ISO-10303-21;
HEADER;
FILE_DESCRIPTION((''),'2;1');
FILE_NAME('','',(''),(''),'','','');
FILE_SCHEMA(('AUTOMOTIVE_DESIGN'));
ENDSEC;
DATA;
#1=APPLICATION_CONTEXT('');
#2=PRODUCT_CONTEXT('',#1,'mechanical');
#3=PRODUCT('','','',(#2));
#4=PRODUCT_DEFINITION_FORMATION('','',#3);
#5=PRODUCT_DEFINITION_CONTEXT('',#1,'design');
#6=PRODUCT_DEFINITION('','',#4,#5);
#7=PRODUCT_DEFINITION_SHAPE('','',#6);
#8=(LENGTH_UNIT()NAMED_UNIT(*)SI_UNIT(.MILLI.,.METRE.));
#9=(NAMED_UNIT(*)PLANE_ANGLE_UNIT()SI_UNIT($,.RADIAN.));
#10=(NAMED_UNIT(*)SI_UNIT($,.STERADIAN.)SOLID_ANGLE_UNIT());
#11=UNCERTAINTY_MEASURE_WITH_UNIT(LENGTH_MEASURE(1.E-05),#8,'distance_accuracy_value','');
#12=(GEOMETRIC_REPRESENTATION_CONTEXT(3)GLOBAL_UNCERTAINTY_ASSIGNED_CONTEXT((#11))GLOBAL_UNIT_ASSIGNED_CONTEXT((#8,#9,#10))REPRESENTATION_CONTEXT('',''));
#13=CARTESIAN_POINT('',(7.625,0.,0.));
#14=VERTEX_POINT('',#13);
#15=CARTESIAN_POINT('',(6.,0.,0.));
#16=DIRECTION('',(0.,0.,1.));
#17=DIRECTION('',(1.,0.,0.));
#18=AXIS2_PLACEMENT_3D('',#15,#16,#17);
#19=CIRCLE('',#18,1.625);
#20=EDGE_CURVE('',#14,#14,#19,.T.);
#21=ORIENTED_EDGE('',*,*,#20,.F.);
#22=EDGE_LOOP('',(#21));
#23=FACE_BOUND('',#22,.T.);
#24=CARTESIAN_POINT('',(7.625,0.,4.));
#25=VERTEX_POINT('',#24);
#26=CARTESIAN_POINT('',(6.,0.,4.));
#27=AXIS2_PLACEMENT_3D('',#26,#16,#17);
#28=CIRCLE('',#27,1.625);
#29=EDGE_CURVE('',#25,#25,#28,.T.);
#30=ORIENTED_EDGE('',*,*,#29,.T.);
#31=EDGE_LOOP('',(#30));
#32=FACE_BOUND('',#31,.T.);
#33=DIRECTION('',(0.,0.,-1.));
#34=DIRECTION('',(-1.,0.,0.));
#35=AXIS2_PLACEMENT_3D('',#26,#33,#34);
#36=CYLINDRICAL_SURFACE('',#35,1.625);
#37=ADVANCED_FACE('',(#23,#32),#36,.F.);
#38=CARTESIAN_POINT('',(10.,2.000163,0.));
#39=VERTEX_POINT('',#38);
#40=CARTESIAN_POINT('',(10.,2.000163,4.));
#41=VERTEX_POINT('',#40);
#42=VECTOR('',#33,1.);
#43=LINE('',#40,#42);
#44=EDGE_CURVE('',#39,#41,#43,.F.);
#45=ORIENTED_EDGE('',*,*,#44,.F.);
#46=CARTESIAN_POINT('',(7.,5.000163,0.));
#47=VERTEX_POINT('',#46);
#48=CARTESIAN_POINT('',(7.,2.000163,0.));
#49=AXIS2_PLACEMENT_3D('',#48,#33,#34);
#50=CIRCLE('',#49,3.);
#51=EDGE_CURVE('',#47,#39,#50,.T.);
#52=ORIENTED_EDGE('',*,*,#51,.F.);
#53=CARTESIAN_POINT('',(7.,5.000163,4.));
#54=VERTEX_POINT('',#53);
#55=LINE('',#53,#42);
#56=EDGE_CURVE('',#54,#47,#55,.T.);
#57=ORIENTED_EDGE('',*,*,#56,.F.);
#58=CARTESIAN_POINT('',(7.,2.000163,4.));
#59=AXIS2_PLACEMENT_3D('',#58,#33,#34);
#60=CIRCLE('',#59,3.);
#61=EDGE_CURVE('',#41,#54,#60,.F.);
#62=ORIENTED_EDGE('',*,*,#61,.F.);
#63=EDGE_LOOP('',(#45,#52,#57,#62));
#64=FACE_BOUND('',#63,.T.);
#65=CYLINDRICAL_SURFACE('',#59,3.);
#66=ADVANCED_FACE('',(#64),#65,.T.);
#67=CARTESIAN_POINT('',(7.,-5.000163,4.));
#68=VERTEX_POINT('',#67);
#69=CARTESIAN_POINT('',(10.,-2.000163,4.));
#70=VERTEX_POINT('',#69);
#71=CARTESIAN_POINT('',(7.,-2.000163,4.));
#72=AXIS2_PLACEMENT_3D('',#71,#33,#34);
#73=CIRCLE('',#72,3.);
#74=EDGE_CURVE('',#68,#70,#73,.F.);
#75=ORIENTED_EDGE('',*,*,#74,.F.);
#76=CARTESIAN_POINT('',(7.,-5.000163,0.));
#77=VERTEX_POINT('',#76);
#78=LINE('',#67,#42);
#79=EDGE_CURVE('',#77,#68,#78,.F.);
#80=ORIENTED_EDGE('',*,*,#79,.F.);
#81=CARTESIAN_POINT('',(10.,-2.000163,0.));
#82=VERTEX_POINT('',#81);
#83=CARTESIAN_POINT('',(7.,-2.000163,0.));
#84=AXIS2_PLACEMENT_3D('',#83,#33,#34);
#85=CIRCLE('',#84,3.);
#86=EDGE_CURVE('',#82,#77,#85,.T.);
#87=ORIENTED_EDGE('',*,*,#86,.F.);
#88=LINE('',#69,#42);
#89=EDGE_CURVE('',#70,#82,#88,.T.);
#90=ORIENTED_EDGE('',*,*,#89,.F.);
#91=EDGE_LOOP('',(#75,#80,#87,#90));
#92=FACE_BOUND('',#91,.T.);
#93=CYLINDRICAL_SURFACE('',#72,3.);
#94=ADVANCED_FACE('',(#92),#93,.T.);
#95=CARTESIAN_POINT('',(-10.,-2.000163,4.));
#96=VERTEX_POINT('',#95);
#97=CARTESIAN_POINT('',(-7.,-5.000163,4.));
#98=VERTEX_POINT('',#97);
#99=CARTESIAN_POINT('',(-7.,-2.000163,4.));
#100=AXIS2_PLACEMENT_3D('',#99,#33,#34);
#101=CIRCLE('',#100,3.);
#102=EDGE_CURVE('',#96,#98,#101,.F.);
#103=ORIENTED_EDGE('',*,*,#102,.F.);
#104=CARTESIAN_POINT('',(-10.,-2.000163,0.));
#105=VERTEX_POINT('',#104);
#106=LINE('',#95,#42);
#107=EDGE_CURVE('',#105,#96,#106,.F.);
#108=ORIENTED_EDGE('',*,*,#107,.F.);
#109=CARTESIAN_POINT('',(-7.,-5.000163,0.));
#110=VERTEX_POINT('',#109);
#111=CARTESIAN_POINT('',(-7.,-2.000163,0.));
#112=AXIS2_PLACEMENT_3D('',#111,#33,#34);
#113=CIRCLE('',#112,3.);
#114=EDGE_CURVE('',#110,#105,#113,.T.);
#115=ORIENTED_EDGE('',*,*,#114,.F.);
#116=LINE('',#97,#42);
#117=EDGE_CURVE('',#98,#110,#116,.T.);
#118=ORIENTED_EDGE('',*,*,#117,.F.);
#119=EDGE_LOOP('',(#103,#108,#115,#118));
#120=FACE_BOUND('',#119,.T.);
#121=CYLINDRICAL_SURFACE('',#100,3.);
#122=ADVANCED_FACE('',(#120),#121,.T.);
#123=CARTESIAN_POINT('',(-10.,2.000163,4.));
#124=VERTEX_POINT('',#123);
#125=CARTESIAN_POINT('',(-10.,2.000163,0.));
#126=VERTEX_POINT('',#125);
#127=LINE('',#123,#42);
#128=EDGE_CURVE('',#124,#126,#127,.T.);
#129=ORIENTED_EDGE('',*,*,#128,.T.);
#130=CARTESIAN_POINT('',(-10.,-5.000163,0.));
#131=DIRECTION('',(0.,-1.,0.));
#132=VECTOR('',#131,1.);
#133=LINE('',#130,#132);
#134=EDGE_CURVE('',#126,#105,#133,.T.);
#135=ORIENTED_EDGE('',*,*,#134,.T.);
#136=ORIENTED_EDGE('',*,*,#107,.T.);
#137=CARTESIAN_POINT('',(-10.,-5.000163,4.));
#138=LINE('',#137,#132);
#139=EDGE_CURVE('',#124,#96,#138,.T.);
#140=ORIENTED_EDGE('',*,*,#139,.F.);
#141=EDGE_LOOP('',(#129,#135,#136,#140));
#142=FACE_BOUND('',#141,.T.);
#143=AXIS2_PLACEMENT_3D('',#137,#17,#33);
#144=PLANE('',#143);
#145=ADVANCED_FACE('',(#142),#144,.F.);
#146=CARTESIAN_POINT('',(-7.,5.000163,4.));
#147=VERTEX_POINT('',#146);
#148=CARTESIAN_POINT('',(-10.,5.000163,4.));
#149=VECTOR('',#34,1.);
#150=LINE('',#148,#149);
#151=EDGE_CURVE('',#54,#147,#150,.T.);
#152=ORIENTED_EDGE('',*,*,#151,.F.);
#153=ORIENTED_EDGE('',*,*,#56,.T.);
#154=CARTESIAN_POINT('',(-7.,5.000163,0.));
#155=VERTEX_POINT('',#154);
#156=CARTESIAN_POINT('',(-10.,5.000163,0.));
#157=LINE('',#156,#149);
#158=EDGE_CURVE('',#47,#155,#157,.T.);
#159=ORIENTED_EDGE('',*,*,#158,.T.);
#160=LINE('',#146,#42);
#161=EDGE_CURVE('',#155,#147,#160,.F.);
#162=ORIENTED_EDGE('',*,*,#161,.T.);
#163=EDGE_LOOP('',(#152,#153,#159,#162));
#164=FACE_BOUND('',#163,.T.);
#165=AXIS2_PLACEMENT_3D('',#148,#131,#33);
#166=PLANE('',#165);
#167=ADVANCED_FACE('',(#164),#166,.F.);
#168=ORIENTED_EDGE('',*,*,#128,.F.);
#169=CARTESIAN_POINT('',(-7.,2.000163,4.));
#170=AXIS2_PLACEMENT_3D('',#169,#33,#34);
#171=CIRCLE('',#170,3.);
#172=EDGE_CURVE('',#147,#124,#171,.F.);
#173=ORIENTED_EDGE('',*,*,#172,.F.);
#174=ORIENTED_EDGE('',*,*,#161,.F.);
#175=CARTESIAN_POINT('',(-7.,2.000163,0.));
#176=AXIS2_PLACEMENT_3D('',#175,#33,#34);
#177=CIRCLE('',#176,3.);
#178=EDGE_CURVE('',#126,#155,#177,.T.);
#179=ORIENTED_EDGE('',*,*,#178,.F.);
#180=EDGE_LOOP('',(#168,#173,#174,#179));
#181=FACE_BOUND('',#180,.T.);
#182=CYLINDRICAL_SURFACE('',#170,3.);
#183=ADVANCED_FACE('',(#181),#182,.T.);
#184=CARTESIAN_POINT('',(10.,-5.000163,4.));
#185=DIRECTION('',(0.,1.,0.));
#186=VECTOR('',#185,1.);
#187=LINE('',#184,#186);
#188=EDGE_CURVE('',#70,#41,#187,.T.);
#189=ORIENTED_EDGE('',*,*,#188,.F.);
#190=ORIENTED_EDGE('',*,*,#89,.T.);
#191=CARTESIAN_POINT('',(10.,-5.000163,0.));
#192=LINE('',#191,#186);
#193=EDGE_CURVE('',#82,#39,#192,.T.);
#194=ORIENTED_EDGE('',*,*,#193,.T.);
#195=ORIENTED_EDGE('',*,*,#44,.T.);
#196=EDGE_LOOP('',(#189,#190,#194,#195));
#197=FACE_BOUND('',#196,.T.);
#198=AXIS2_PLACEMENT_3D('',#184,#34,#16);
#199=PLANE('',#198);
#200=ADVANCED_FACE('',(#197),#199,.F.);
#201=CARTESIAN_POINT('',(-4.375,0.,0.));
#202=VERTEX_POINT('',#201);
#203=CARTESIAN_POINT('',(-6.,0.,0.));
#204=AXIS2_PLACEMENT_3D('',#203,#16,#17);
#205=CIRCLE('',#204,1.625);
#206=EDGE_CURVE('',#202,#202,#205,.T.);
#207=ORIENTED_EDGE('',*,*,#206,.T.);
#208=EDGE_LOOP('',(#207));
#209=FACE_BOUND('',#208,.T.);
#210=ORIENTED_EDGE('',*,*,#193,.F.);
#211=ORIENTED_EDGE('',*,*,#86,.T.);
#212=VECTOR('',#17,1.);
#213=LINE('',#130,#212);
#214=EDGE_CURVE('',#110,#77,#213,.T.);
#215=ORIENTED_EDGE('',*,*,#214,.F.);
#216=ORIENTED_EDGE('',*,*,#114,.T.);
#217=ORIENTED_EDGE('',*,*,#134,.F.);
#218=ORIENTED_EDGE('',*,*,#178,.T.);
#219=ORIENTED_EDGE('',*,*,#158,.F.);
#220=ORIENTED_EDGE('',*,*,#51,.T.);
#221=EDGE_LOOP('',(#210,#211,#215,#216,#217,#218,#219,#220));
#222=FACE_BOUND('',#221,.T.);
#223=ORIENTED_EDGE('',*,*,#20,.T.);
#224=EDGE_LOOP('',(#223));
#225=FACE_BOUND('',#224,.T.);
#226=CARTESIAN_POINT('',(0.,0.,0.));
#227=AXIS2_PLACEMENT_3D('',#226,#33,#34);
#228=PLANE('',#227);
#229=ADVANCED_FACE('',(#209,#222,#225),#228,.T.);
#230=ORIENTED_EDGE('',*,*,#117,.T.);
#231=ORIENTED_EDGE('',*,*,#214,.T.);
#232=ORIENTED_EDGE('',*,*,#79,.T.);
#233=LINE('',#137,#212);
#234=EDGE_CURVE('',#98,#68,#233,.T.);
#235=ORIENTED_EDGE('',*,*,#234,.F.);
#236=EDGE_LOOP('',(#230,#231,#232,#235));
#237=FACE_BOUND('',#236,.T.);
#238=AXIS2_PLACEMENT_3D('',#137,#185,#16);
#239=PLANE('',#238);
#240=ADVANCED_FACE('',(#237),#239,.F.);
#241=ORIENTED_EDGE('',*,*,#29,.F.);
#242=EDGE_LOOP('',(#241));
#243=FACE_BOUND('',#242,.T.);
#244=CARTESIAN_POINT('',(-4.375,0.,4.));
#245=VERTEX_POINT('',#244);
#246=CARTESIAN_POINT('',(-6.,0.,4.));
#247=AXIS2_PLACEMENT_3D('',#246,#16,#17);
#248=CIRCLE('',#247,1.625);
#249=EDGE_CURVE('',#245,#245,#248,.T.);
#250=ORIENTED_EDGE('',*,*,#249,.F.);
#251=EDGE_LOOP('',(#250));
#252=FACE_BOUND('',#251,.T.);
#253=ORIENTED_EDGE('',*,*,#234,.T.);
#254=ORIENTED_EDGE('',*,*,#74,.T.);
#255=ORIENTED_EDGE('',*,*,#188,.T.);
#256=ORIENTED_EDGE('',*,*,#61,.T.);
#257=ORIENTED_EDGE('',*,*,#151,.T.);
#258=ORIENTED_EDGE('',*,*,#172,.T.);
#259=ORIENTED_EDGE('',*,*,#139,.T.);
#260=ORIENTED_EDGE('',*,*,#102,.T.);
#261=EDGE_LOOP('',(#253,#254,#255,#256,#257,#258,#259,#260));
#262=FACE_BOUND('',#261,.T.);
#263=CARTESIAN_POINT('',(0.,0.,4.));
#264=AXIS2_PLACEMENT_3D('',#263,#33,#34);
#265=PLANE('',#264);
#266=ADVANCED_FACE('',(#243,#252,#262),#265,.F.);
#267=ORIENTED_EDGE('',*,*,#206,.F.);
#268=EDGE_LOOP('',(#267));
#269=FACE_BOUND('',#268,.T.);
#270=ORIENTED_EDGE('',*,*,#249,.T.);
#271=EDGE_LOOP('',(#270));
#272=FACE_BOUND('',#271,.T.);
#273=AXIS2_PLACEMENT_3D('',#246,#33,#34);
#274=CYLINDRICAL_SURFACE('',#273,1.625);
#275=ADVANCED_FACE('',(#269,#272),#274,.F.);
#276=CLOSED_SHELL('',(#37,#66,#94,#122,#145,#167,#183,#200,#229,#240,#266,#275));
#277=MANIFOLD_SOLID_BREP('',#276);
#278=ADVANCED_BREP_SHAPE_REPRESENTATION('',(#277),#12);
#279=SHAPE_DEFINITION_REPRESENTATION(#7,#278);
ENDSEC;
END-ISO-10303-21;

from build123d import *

# Parameters (mm, degrees)
CROQUIS1_W              = 20
CROQUIS1_H              = 10.000326638
CROQUIS1_R              = 1.625
SALIENTE_EXTRUIR1_DEPTH = 4
REDONDEO1_R             = 3


with BuildPart() as part:
    # Croquis1 → Saliente-Extruir1 (new body)
    with BuildSketch(Plane.XY):
        Rectangle(CROQUIS1_W, CROQUIS1_H)
        with Locations((-6, 0)):
            Circle(CROQUIS1_R, mode=Mode.SUBTRACT)
        with Locations((6, 0)):
            Circle(CROQUIS1_R, mode=Mode.SUBTRACT)
    extrude(amount=SALIENTE_EXTRUIR1_DEPTH)

    # Redondeo1
    redondeo1_edges = [part.edges().sort_by_distance(p)[0] for p in [
        (10, -5.000163319, 2),
        (-10, -5.000163319, 2),
        (-10, 5.000163319, 2),
        (10, 5.000163319, 2),
    ]]
    fillet(redondeo1_edges, radius=REDONDEO1_R)


solid = part.part
